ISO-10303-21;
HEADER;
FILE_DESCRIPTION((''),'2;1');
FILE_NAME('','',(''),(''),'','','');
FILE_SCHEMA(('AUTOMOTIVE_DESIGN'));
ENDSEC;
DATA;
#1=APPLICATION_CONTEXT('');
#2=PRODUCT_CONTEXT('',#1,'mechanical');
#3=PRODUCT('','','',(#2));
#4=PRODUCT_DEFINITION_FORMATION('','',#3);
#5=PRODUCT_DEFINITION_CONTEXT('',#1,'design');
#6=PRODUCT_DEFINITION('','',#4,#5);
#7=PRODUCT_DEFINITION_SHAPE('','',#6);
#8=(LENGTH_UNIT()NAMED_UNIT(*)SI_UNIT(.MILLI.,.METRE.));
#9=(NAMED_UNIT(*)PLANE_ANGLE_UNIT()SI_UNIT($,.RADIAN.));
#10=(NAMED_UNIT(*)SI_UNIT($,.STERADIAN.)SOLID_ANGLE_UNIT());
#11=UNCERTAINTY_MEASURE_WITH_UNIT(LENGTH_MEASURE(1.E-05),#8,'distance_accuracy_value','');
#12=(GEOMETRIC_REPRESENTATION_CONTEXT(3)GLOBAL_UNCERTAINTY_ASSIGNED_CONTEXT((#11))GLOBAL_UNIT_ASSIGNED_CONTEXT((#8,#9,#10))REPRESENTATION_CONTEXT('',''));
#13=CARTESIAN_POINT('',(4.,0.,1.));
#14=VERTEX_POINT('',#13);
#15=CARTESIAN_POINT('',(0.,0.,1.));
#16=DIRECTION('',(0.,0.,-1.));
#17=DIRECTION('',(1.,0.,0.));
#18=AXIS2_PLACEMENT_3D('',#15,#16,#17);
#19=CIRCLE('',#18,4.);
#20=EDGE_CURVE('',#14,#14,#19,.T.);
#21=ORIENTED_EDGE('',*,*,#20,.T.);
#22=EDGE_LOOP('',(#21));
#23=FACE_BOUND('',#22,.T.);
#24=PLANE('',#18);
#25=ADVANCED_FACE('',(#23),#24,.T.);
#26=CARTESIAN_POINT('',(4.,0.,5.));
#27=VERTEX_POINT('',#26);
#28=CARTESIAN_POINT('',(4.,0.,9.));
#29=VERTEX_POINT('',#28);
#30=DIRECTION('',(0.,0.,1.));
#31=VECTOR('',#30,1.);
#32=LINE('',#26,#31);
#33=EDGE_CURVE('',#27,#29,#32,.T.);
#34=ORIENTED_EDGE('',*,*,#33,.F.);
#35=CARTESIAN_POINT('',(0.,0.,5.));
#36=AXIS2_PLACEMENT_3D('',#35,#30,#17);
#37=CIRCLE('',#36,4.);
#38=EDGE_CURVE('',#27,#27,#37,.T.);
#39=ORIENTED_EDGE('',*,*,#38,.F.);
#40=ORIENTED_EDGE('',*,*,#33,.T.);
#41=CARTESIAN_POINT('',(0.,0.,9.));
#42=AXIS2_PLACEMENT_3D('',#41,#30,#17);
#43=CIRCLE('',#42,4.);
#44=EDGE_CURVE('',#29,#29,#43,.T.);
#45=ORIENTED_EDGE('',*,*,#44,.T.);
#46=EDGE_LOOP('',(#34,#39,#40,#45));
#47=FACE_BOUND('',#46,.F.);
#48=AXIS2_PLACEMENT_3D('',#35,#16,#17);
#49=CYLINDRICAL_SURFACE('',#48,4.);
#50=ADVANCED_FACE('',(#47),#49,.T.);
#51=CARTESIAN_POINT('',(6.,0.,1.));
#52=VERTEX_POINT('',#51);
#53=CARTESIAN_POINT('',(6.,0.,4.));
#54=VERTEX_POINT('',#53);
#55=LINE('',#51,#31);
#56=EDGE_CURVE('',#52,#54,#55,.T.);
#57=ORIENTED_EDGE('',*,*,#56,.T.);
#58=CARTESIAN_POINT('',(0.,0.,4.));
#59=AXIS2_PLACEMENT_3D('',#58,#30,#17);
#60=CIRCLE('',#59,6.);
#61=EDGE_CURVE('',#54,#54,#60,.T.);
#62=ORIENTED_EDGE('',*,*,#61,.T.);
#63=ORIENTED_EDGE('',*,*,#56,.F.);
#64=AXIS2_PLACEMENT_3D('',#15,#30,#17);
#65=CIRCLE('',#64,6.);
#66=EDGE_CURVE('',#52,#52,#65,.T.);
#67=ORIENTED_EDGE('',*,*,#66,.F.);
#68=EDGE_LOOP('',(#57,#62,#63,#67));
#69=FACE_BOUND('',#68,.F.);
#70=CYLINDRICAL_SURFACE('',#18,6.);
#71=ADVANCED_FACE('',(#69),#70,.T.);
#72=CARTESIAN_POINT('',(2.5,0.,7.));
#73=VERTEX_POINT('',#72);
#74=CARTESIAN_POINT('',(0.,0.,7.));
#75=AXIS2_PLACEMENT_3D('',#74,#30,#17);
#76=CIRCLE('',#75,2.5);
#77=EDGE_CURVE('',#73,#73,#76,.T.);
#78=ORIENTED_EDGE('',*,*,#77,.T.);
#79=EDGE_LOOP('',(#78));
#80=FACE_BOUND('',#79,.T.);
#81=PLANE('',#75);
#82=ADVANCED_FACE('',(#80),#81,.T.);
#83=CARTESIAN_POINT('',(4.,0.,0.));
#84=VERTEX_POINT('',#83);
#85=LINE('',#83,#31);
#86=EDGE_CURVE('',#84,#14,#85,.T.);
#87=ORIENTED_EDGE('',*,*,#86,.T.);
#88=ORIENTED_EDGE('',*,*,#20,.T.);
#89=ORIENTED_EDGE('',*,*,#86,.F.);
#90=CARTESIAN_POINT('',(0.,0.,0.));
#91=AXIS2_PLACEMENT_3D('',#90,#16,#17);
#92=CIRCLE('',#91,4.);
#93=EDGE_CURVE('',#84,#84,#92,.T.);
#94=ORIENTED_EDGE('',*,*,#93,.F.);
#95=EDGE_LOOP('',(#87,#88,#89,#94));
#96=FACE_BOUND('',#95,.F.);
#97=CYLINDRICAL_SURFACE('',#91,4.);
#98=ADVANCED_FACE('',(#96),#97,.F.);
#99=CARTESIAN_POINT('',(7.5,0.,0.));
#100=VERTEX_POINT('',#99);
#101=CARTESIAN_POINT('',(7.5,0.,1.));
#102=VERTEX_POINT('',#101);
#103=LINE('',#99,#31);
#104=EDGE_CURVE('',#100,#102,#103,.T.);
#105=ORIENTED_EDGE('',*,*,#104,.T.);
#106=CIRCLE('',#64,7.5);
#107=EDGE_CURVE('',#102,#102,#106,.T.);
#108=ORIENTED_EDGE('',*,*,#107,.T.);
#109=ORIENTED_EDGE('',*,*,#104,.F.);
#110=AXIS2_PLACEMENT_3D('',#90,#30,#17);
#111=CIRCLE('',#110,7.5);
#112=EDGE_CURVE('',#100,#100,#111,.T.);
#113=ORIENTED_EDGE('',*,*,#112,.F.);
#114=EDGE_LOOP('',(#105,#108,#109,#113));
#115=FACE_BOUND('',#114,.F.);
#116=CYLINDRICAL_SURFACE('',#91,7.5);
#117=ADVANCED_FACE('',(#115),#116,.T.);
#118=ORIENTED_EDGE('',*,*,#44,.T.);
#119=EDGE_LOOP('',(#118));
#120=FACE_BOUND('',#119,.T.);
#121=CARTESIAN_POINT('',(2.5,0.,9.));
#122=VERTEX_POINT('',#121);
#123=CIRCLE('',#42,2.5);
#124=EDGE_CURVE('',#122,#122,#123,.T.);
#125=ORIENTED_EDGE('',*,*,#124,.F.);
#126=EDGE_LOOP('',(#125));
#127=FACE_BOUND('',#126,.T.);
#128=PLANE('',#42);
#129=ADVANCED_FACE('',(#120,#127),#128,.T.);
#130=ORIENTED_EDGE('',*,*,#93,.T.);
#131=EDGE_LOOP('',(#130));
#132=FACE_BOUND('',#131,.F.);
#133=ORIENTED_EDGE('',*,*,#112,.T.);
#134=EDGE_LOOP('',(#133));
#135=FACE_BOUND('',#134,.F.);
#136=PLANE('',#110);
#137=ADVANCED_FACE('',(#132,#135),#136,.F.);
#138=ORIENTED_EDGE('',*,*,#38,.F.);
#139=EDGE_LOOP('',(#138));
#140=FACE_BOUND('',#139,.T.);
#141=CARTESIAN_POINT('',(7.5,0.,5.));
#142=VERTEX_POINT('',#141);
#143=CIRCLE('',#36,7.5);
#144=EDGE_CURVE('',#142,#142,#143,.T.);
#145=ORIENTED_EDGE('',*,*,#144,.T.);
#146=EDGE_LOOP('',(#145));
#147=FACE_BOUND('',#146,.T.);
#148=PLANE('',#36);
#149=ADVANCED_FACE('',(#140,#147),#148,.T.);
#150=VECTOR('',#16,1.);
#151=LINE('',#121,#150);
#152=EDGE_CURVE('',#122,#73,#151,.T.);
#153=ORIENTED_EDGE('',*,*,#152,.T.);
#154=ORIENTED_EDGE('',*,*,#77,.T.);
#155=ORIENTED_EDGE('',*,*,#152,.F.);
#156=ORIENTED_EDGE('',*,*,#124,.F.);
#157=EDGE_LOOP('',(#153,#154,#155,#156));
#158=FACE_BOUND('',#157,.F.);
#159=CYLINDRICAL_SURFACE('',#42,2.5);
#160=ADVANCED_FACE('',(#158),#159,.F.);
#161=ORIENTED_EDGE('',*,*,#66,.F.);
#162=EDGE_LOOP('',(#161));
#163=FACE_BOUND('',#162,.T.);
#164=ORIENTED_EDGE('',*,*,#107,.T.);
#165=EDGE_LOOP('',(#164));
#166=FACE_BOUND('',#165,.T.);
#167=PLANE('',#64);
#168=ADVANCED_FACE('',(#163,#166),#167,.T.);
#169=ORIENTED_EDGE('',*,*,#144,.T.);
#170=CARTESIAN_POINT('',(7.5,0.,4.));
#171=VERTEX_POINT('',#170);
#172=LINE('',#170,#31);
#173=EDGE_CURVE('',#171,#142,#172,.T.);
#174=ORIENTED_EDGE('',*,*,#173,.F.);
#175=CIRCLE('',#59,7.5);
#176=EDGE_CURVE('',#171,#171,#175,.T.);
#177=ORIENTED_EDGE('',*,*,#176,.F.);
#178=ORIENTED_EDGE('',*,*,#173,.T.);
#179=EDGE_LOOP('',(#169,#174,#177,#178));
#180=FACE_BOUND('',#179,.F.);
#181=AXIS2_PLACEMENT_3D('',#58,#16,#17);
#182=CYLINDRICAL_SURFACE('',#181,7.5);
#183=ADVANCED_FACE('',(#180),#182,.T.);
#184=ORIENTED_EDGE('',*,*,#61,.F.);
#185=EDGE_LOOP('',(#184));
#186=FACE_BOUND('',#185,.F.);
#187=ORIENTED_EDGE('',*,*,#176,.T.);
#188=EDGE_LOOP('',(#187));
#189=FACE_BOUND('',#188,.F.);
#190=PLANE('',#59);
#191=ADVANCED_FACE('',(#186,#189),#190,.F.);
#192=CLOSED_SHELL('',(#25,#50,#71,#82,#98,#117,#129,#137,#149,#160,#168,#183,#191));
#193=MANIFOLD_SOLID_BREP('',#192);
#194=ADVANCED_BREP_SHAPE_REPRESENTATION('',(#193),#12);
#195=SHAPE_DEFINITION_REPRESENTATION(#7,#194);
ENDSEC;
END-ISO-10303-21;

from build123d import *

# Parameters (mm, degrees)
F0_R      = 7.5
F1_DEPTH  = 1
F2_R      = 6
F3_DEPTH  = 3
F4_R      = 7.5
F4_R_2    = 6
F5_DEPTH  = 1
F7_R      = 4
F8_DEPTH  = 4
F9_R      = 2.5
F10_DEPTH = 2
F11_R     = 4
F12_DEPTH = 1


with BuildPart() as f1:
    # F0 (on Top) → F1 (new body)
    with BuildSketch(Plane.XY):
        Circle(F0_R)
    extrude(amount=F1_DEPTH)

    # F2 (on face) → F3 (join)
    with BuildSketch(Plane.XY.offset(1)):
        Circle(F2_R)
    extrude(amount=F3_DEPTH)

    # F4 (on face) → F5 (join)
    with BuildSketch(Plane.XY.offset(4)):
        Circle(F4_R)
        Circle(F4_R_2, mode=Mode.SUBTRACT)
        Circle(F4_R_2)
    extrude(amount=F5_DEPTH)

    # F7 (on face) → F8 (join)
    with BuildSketch(Plane.XY.offset(5)):
        Circle(F7_R)
    extrude(amount=F8_DEPTH)

    # F9 (on face) → F10 (cut)
    with BuildSketch(Plane.XY.offset(9)):
        Circle(F9_R)
    extrude(amount=-F10_DEPTH, mode=Mode.SUBTRACT)

    # F11 (on face) → F12 (cut)
    with BuildSketch(Plane(origin=(0, 0, 0), x_dir=(1, 0, 0), z_dir=(0, 0, -1))):
        Circle(F11_R)
    extrude(amount=-F12_DEPTH, mode=Mode.SUBTRACT)


solid = f1.part
